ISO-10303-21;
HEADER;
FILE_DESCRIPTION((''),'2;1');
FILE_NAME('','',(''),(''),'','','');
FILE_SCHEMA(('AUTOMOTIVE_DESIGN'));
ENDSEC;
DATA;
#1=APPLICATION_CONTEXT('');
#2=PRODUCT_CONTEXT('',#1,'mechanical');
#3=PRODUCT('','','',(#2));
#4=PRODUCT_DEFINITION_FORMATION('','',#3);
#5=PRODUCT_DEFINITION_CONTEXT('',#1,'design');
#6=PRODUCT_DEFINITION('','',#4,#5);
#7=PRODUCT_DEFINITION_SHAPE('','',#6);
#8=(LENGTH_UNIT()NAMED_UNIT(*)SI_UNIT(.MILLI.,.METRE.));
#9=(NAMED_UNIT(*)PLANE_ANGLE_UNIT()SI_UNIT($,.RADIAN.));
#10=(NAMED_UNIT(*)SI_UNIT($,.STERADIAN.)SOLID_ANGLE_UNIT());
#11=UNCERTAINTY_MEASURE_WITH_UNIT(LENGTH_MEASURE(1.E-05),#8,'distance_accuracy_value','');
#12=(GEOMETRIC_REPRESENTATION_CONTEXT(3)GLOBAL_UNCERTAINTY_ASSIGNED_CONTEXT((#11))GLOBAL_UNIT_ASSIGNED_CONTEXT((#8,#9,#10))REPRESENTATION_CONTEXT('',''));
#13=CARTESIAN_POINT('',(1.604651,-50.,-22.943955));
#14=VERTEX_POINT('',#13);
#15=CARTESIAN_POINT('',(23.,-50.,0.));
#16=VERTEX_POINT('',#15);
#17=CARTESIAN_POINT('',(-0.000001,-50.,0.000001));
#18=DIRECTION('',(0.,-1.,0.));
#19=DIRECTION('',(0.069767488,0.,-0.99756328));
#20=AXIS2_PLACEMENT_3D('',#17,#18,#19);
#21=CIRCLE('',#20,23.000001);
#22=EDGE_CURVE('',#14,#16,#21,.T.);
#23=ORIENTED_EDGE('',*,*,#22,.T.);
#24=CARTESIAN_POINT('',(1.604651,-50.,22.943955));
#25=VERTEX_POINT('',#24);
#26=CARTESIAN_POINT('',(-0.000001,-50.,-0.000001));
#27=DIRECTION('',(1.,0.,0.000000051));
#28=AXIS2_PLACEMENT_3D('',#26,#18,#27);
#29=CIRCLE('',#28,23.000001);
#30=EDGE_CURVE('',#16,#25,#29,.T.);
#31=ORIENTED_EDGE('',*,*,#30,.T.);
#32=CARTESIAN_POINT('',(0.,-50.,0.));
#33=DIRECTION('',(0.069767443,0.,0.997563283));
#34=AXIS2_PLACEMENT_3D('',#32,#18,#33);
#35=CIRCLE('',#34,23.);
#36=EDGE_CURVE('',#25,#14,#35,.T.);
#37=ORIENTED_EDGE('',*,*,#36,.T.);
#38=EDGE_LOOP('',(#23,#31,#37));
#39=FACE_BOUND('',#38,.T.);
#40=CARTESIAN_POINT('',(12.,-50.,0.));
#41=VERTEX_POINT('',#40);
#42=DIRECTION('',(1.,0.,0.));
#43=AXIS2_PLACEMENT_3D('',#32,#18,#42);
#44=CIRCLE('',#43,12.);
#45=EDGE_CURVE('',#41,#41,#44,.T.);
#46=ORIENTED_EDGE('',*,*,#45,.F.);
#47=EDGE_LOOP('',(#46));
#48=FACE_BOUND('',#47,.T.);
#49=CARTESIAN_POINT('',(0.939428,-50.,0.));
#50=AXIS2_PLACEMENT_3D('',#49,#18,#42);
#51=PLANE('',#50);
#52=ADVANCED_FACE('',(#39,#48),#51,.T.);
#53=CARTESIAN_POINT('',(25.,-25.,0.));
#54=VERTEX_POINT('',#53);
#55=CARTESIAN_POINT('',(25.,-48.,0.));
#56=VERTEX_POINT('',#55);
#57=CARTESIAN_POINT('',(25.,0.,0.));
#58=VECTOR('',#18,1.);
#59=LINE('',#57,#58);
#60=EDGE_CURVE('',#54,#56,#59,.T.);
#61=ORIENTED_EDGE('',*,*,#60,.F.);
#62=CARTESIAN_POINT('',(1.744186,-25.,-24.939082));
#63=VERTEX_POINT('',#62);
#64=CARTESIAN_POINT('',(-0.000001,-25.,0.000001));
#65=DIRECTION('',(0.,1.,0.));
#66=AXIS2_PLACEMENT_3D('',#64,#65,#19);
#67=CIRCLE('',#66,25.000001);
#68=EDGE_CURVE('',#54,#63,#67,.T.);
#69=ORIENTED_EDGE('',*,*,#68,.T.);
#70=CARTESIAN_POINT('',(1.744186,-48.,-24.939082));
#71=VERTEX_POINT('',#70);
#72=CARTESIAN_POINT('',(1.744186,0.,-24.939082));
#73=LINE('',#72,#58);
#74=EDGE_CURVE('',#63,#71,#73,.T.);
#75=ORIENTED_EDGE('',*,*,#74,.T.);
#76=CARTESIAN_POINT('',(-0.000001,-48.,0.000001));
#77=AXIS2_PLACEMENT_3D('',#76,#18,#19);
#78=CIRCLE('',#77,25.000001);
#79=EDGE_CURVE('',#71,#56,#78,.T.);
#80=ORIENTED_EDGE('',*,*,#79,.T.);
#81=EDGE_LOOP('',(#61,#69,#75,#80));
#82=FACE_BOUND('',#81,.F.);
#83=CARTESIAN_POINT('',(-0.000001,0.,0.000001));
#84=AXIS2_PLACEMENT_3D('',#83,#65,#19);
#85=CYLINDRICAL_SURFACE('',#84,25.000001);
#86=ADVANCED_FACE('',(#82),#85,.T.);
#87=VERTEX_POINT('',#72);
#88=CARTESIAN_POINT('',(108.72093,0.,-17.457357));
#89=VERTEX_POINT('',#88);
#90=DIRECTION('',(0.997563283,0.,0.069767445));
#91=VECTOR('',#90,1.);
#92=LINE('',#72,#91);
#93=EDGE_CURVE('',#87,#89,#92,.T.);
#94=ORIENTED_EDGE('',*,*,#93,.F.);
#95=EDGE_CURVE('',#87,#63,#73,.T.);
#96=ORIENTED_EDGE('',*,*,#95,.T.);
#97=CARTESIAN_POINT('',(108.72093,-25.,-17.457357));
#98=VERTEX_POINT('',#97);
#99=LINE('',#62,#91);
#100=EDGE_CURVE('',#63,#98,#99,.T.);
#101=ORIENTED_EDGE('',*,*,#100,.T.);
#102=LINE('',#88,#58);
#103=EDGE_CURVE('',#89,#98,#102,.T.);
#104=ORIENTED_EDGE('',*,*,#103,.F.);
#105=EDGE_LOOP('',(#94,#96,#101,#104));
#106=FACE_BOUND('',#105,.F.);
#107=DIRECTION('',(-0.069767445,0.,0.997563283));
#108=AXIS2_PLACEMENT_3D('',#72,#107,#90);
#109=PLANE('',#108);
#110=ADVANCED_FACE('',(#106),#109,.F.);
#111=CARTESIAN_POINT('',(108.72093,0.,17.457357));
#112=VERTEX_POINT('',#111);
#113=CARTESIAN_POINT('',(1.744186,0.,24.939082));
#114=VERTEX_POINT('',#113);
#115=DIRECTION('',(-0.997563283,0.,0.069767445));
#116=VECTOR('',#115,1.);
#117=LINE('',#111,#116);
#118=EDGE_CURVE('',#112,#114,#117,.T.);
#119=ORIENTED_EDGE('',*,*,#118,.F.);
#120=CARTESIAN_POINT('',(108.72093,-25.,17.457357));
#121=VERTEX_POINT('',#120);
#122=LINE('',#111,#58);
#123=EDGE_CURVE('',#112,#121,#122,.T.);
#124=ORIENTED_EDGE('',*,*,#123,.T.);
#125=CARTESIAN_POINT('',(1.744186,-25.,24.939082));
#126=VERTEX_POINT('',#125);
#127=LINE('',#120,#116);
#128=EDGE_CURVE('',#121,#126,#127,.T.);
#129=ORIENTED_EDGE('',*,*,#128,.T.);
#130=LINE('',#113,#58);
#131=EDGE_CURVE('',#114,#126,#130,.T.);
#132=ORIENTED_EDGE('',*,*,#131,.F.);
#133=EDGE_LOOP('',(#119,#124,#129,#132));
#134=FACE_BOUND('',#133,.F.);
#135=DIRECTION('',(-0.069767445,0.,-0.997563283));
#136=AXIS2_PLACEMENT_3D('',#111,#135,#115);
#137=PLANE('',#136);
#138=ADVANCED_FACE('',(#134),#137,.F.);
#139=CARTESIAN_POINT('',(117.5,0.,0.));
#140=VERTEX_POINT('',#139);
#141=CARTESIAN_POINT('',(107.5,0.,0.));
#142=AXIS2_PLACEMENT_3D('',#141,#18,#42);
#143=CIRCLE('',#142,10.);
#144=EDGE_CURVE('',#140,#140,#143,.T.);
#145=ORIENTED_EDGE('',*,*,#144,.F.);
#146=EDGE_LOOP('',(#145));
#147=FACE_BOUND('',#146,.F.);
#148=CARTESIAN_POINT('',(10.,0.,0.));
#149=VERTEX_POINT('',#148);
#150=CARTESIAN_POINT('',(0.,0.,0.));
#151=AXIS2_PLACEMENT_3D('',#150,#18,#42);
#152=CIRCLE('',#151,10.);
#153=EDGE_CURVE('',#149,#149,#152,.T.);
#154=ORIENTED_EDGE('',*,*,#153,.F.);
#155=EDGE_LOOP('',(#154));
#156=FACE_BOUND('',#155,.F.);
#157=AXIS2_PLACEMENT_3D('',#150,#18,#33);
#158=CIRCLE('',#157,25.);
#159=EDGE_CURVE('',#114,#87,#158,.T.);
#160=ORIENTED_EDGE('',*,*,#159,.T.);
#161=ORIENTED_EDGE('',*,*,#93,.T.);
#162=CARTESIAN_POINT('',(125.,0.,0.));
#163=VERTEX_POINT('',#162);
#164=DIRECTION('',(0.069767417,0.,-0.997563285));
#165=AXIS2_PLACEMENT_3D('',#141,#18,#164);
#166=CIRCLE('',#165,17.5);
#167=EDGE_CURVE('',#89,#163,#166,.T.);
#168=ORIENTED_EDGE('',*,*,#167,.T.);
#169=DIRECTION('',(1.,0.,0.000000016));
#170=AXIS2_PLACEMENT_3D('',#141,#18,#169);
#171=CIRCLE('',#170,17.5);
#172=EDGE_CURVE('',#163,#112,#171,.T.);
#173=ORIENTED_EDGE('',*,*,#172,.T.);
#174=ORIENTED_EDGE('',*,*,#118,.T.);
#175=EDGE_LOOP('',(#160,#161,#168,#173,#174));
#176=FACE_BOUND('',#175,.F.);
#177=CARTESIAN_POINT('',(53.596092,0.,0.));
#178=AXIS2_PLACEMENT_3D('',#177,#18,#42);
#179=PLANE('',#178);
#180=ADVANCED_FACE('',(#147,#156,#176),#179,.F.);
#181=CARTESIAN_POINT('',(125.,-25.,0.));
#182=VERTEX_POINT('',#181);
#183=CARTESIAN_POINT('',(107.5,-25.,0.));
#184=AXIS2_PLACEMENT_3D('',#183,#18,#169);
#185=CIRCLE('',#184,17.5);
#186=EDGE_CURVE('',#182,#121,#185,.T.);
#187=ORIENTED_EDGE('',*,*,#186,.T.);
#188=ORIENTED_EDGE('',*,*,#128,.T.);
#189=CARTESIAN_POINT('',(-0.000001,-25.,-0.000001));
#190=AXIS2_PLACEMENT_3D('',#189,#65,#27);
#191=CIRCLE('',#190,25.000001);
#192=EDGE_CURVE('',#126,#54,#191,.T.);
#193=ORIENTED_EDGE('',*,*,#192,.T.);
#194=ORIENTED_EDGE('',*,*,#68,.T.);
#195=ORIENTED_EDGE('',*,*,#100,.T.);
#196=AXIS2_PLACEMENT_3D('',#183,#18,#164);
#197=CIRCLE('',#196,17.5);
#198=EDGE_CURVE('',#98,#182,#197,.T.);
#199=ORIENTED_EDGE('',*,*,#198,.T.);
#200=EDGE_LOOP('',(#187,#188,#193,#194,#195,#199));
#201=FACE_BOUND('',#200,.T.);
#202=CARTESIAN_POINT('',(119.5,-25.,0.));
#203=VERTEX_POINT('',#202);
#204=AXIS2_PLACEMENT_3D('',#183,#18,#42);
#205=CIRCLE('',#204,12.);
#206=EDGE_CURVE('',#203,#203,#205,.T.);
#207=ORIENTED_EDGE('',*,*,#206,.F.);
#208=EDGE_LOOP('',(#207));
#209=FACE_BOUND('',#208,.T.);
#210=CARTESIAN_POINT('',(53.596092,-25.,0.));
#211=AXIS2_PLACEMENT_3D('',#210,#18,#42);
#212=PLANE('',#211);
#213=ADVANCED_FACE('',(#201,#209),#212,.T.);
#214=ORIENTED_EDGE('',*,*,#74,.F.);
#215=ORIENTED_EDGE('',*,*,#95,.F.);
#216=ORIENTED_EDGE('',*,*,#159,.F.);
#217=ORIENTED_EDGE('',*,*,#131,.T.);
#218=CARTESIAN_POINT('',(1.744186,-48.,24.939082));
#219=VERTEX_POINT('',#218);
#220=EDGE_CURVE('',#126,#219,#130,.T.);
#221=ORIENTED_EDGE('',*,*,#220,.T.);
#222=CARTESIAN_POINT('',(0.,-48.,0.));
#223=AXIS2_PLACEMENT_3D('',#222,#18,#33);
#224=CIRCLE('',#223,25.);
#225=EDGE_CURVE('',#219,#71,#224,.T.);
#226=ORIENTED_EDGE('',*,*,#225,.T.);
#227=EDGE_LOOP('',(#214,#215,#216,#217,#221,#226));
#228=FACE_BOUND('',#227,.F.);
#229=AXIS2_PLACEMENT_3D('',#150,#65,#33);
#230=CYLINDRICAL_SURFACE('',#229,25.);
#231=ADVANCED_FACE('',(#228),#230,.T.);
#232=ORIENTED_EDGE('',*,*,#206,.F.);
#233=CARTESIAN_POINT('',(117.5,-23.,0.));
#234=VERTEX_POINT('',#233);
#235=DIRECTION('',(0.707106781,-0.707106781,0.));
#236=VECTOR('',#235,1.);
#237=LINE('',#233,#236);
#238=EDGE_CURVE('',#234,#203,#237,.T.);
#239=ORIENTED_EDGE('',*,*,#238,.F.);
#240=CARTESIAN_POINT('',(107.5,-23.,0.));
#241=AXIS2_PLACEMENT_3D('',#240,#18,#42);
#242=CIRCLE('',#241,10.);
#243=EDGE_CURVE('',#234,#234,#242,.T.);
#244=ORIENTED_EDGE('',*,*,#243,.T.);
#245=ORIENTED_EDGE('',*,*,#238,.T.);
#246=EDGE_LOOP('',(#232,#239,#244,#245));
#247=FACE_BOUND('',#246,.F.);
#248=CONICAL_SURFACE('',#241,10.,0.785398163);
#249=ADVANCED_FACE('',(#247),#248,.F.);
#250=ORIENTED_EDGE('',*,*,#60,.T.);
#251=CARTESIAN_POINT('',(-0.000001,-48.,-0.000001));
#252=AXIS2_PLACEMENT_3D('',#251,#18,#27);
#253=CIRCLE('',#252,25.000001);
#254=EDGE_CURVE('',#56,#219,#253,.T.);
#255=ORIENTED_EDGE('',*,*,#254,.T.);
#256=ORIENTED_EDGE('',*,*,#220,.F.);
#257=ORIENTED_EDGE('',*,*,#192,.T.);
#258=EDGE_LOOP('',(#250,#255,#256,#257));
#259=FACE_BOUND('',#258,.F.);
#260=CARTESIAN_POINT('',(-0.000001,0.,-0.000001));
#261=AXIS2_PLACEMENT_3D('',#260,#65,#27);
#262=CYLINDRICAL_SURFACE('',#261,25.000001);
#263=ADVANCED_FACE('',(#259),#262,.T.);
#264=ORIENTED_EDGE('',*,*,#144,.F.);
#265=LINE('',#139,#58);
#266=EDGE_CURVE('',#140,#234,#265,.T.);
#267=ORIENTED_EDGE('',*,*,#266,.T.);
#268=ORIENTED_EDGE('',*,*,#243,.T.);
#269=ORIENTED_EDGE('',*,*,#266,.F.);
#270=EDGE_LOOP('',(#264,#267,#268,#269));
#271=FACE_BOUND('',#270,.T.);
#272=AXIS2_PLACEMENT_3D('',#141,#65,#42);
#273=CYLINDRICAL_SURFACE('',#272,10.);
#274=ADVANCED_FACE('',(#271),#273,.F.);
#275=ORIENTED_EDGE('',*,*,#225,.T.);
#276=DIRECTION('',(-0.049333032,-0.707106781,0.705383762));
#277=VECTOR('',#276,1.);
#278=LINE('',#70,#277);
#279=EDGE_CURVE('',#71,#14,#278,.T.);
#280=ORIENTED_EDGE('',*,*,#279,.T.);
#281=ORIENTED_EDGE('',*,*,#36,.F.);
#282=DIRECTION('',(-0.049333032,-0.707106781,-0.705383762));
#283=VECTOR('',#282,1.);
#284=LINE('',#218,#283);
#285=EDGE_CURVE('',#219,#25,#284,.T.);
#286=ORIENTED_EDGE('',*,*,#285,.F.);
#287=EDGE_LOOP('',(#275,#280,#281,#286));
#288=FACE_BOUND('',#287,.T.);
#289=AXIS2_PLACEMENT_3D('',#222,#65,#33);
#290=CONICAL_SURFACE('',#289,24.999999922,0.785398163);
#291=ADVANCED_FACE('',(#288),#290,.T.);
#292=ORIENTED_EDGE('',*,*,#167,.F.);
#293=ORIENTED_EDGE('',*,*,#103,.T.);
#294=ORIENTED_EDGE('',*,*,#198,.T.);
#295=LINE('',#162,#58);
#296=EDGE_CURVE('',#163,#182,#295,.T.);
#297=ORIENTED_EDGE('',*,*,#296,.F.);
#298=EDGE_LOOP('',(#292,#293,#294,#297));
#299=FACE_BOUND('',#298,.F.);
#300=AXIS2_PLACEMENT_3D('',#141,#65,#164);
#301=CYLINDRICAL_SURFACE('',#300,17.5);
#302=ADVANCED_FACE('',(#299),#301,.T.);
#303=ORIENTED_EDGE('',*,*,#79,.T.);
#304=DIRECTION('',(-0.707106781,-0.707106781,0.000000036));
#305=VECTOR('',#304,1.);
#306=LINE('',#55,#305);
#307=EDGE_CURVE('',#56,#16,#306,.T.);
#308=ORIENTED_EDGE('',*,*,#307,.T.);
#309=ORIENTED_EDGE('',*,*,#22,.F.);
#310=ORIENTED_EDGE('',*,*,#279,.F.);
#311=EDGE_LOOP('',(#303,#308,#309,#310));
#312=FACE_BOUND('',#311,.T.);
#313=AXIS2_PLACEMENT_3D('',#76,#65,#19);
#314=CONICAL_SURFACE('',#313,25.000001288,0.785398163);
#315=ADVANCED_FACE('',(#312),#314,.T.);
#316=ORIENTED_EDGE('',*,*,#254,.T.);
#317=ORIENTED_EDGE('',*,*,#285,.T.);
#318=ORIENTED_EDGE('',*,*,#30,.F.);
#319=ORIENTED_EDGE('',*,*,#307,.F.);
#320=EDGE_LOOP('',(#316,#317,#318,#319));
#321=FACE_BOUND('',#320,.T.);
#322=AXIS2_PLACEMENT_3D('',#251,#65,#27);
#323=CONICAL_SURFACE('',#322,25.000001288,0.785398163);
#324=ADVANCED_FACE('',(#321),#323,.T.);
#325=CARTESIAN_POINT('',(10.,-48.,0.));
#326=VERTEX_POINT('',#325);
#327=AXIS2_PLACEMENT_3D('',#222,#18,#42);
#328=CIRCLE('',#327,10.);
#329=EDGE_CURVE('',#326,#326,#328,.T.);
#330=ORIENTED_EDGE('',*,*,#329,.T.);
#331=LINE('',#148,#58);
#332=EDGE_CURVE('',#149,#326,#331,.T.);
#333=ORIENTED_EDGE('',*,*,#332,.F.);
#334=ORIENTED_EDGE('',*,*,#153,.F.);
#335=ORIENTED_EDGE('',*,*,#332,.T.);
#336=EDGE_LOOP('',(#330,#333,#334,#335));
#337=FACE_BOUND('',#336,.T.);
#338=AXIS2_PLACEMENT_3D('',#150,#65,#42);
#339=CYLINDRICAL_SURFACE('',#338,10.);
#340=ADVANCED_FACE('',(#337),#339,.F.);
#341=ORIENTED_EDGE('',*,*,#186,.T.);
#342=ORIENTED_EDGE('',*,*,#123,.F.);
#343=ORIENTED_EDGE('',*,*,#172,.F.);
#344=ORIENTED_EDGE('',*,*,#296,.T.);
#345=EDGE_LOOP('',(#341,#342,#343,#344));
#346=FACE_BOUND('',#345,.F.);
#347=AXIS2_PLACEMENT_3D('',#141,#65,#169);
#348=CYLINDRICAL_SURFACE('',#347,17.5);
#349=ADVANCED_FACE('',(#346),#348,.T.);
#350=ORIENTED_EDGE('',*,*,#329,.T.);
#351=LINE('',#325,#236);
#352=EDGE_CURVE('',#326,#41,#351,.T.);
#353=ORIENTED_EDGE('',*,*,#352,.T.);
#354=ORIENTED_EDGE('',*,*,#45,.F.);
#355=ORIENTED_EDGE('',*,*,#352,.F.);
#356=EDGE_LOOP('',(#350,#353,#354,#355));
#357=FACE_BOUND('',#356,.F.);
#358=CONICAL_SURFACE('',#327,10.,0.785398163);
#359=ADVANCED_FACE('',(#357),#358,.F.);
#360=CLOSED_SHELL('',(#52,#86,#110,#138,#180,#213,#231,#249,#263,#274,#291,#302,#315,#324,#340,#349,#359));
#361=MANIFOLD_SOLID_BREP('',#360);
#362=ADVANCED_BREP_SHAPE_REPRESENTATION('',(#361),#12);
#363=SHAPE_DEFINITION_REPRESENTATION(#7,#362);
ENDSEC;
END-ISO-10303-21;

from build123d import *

# Parameters (mm, degrees)
F0_R     = 10
F1_DEPTH = 25
F2_DEPTH = 50
F3_SIZE  = 2


with BuildPart() as f1:
    # F0 (on Front) → F1 (new body)
    with BuildSketch(Plane.XZ):
        with BuildLine():
            ThreePointArc((1.744186, 24.939082), (18.283936, 17.049858), (25, 0))
            ThreePointArc((25, 0), (18.283936, -17.049858), (1.744186, -24.939082))
            Line((1.744186, -24.939082), (108.72093, -17.457357))
            ThreePointArc((108.72093, -17.457357), (90, 0), (108.72093, 17.457357))
            Line((108.72093, 17.457357), (1.744186, 24.939082))
        make_face()
        with BuildLine():
            ThreePointArc((1.744186, -24.939082), (18.283936, -17.049858), (25, 0))
            ThreePointArc((25, 0), (18.283936, 17.049858), (1.744186, 24.939082))
            ThreePointArc((1.744186, 24.939082), (-25, 0), (1.744186, -24.939082))
        make_face()
        Circle(F0_R, mode=Mode.SUBTRACT)
        with BuildLine():
            ThreePointArc((125, 0), (120.298755, 11.934901), (108.72093, 17.457357))
            ThreePointArc((108.72093, 17.457357), (90, 0), (108.72093, -17.457357))
            ThreePointArc((108.72093, -17.457357), (120.298755, -11.934901), (125, 0))
        make_face()
        with Locations((107.5, 0)):
            Circle(F0_R, mode=Mode.SUBTRACT)
    extrude(amount=F1_DEPTH)

    # F0 (on Front) → F2 (join)
    with BuildSketch(Plane.XZ):
        with BuildLine():
            ThreePointArc((1.744186, -24.939082), (18.283936, -17.049858), (25, 0))
            ThreePointArc((25, 0), (18.283936, 17.049858), (1.744186, 24.939082))
            ThreePointArc((1.744186, 24.939082), (-25, 0), (1.744186, -24.939082))
        make_face()
        Circle(F0_R, mode=Mode.SUBTRACT)
    extrude(amount=F2_DEPTH)

    # F3
    f3_edges = [f1.edges().sort_by_distance(p)[0] for p in [
        (-10, -50, 0),
        (-1.744186, -50, 24.939082),
        (97.5, -25, 0),
    ]]
    chamfer(f3_edges, length=F3_SIZE)


solid = f1.part
